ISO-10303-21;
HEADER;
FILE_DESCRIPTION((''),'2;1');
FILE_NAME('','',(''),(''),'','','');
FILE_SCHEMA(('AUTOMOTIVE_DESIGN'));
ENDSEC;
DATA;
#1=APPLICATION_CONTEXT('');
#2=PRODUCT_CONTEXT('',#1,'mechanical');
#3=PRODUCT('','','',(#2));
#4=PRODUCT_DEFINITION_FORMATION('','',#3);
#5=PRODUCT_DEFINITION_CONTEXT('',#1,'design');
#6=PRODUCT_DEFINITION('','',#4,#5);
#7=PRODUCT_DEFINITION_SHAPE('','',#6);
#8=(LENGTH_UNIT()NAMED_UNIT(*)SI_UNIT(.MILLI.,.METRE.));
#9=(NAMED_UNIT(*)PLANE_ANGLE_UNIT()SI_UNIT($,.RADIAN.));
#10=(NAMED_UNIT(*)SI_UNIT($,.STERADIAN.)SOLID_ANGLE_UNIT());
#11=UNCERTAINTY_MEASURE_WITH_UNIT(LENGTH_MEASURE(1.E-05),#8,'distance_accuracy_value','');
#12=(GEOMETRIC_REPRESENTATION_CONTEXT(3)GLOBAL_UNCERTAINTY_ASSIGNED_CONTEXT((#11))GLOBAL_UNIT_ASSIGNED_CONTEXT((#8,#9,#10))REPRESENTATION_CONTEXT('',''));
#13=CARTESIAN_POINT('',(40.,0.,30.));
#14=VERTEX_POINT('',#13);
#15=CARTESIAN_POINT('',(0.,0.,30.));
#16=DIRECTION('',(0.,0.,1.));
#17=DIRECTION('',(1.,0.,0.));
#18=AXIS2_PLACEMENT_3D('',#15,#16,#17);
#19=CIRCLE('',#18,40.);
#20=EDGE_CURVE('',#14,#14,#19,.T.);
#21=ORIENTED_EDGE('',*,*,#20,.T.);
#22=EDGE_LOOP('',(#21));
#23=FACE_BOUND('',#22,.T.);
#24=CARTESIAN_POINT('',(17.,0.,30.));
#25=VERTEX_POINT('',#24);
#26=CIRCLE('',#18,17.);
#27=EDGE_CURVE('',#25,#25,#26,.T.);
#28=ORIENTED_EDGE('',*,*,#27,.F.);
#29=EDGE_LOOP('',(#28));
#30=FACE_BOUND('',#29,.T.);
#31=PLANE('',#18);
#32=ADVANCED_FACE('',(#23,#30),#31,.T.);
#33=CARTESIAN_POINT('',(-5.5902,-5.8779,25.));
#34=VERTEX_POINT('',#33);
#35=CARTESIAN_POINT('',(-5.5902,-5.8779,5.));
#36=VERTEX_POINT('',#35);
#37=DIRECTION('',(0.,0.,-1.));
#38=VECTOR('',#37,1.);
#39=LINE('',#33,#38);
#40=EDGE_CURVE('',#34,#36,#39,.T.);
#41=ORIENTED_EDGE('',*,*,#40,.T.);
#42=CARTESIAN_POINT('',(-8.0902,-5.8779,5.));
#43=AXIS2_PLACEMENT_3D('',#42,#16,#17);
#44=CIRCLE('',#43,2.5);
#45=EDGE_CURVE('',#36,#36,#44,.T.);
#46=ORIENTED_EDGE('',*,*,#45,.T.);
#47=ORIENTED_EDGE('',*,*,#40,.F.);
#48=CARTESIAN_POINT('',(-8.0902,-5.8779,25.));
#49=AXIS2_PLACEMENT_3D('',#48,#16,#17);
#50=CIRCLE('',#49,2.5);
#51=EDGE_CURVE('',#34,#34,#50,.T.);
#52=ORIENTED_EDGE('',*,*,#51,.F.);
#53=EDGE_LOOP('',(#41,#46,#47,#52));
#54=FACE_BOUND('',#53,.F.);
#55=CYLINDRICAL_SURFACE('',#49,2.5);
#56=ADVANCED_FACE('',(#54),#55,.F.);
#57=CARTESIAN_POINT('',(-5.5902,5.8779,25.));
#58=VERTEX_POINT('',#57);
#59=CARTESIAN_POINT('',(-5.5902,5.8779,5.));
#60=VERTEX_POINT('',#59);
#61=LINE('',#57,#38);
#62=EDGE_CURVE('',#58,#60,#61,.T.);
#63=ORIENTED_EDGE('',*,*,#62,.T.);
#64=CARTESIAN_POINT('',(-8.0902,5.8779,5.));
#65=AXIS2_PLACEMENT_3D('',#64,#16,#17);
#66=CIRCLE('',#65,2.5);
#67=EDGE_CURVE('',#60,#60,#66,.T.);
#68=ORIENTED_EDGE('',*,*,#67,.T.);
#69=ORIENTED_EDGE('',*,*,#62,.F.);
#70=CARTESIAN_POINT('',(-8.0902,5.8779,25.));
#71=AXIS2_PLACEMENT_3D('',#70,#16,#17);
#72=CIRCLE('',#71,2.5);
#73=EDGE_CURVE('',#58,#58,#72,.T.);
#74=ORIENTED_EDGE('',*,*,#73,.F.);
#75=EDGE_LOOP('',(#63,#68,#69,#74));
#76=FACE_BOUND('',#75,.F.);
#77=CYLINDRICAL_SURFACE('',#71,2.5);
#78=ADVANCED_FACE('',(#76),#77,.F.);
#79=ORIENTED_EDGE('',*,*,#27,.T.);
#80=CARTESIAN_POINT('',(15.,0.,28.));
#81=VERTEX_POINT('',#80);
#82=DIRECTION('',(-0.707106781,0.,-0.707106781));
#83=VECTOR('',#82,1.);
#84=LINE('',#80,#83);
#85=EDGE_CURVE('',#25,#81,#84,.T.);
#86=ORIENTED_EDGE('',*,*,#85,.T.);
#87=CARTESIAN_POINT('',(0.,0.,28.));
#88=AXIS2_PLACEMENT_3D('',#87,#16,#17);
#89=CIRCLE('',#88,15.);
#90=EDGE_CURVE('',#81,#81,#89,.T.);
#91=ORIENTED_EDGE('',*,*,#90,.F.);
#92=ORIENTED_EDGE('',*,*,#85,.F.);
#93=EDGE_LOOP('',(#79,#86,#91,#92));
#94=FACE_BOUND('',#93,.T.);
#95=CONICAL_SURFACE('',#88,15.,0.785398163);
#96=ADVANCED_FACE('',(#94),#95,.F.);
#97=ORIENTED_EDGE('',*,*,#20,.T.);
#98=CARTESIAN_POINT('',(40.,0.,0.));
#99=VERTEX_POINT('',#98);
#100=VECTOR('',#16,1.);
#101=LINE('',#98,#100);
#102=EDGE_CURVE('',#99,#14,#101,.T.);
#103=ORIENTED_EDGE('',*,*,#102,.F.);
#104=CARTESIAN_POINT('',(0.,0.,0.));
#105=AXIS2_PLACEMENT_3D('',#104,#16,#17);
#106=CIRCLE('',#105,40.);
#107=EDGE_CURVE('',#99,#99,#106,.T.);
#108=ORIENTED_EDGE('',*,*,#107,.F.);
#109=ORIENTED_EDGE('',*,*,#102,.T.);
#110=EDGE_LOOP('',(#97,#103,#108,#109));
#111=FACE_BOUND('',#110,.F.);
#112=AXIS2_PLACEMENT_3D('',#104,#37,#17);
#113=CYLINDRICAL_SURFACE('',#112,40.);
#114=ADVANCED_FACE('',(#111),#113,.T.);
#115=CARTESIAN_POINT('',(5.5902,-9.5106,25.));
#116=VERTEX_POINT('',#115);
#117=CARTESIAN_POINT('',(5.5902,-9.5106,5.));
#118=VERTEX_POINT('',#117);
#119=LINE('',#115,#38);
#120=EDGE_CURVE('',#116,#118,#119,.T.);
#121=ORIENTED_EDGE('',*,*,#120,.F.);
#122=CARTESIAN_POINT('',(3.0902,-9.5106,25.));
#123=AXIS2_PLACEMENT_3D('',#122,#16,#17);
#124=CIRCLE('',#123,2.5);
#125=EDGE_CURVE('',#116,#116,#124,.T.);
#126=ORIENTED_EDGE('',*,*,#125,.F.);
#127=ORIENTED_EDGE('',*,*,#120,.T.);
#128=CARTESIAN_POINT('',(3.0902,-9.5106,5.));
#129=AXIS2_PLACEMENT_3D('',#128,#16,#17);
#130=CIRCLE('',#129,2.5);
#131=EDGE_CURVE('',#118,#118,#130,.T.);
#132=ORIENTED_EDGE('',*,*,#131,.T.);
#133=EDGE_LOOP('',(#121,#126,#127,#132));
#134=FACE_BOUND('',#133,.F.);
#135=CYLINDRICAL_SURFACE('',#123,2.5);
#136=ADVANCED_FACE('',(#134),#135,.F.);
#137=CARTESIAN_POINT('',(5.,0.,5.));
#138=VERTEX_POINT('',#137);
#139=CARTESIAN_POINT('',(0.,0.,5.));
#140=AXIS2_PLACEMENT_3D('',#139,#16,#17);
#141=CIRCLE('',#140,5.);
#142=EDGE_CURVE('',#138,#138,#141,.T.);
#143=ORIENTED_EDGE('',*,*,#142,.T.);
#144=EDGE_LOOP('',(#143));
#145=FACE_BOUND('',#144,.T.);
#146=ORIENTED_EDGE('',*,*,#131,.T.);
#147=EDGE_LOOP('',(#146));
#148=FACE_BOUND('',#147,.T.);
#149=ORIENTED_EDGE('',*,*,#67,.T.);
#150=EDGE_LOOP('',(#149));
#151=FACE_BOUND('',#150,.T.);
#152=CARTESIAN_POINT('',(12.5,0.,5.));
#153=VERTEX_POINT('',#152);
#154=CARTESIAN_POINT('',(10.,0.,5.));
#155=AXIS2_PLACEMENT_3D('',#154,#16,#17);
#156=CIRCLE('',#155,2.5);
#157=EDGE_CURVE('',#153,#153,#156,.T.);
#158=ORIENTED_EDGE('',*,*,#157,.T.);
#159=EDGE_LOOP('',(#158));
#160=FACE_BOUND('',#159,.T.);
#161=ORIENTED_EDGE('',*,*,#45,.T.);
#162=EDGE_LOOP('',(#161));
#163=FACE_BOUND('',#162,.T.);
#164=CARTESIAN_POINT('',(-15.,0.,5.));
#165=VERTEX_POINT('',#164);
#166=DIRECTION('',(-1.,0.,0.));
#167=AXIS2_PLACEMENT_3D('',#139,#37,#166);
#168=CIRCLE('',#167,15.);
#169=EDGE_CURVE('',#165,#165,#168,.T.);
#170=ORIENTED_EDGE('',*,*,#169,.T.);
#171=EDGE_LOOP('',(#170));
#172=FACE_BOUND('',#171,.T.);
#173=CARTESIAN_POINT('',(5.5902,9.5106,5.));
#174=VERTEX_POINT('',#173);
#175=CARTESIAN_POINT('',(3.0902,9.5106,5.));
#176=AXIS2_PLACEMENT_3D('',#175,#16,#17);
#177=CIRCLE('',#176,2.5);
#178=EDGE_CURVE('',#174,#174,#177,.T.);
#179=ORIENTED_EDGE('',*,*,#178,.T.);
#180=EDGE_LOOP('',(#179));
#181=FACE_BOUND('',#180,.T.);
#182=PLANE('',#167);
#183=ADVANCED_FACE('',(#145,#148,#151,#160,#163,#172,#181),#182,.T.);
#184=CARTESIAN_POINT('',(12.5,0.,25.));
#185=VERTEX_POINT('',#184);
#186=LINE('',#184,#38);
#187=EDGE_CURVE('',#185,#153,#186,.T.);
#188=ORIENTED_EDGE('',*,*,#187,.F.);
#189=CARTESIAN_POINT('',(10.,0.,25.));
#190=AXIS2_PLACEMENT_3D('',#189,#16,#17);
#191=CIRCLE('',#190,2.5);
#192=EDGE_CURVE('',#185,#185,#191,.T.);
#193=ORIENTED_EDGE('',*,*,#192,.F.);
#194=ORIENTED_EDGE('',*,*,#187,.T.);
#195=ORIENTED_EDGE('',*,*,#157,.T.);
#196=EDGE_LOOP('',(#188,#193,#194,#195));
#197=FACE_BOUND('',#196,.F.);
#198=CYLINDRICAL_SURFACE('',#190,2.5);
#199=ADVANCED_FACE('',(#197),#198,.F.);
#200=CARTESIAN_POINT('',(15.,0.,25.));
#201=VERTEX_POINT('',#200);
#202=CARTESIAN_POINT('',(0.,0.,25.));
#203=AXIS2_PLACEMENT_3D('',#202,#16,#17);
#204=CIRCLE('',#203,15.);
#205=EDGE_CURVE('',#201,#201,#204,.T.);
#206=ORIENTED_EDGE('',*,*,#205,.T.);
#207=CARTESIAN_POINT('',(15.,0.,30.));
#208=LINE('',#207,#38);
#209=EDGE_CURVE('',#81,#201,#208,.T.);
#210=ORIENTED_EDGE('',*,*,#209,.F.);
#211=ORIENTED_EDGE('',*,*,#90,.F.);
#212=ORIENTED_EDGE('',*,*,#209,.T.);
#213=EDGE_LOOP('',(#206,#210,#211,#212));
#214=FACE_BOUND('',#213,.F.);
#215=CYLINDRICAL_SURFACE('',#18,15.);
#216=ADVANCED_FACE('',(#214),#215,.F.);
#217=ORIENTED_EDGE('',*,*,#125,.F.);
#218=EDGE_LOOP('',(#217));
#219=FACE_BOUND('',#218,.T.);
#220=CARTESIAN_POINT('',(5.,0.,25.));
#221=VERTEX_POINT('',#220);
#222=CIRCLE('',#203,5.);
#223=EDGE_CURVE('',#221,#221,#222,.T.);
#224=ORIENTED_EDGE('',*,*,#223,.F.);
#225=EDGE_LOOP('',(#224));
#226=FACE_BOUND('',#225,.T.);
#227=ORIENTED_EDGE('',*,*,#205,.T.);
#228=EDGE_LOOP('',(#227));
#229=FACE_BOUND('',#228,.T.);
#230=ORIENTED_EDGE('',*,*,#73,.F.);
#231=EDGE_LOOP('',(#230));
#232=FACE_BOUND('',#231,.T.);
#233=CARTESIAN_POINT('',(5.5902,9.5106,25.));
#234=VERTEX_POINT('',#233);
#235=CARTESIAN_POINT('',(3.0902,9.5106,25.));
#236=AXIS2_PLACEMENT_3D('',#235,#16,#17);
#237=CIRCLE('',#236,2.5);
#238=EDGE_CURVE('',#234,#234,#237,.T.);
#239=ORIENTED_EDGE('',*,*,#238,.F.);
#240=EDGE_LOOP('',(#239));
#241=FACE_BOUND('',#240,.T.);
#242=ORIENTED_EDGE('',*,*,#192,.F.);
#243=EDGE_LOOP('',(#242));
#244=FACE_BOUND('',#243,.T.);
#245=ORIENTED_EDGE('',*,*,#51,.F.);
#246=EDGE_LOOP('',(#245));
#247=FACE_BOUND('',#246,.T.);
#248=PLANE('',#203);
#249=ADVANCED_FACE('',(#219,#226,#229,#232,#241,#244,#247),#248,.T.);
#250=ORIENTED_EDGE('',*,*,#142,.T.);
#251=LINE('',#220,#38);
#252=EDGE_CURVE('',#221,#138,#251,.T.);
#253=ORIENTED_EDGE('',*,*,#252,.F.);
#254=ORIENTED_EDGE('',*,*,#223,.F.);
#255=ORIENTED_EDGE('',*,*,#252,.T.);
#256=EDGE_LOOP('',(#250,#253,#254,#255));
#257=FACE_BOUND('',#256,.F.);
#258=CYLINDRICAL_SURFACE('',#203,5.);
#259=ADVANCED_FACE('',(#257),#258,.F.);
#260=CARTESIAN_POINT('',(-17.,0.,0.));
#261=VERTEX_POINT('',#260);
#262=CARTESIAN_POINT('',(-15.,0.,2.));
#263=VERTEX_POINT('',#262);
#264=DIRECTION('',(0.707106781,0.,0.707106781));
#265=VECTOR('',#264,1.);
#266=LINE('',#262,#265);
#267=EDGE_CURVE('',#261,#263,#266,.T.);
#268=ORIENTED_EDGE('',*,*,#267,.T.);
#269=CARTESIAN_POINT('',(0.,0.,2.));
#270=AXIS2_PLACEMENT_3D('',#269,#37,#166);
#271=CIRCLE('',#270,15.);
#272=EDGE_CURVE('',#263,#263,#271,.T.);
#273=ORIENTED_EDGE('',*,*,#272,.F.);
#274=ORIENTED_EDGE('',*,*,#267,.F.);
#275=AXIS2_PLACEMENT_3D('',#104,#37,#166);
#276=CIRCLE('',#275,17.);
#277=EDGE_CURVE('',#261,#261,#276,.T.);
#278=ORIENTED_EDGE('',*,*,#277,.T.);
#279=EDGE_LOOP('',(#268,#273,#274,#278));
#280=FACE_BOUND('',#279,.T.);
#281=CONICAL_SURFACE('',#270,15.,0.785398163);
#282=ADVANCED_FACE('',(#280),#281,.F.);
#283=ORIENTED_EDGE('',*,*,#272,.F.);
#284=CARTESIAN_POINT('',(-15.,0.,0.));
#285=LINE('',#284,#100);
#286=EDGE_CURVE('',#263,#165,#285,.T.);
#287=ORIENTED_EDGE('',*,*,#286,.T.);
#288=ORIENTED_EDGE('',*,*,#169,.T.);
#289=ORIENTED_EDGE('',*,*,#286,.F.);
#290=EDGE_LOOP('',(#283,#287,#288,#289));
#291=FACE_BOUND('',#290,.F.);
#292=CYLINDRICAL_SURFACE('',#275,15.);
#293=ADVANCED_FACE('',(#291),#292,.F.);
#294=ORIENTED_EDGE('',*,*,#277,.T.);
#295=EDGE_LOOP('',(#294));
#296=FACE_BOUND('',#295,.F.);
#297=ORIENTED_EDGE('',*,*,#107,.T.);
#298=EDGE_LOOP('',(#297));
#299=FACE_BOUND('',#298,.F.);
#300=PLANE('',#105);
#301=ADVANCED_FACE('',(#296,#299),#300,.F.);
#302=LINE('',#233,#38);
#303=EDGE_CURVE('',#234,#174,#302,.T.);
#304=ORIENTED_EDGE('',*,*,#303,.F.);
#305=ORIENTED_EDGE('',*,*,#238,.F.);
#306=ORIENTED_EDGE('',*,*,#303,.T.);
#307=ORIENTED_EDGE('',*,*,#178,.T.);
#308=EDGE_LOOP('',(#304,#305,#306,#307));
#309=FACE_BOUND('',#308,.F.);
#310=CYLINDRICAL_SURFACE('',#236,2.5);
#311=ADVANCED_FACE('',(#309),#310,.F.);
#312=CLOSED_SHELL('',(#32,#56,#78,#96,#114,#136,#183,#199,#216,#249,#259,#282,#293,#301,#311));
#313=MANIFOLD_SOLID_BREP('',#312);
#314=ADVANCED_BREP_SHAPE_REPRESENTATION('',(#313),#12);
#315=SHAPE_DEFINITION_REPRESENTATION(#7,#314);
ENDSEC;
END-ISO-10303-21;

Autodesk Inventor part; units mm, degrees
ref_plane "YZ Plane" through (0, 0, 0) normal (1, 0, 0) x (0, 1, 0)
ref_plane "XZ Plane" through (0, 0, 0) normal (0, 1, 0) x (-1, 0, 0)
ref_plane "XY Plane" through (0, 0, 0) normal (0, 0, 1) x (1, 0, 0)
sketch "Sketch28" plane through (0, 0, 0) normal (0, 0, 1) x (1, 0, 0)
  point P0 (0, 0)
sketch "Sketch29" plane through (0, 0, 0) normal (0, 0, 1) x (1, 0, 0)
  circle A0 centre (0, 0) radius 40
  dimension "d84" = 80
extrude "Extrusion25" add sketch "Sketch29" along normal blind 30
sketch "Sketch30" plane through (0, 0, 30) normal (0, 0, 1) x (1, 0, 0)
  circle A0 centre (0, 0) radius 15
  dimension "d87" = 30
extrude "Extrusion26" cut sketch "Sketch30" against normal blind 5
sketch "Sketch31" plane through (0, 0, 0) normal (0, 0, -1) x (-1, 0, 0)
  circle A0 centre (0, 0) radius 15
  dimension "d90" = 30
extrude "Extrusion27" cut sketch "Sketch31" against normal blind 5
sketch "Sketch32" plane through (0, 0, 25) normal (0, 0, 1) x (1, 0, 0)
  circle A0 centre (0, 0) radius 5
  dimension "d93" = 10
extrude "Extrusion28" cut sketch "Sketch32" against normal blind 20
sketch "Sketch33" plane through (0, 0, 25) normal (0, 0, 1) x (1, 0, 0)
  circle A0 centre (10, 0) radius 2.5
  circle A1 centre (3.0902, 9.5106) radius 2.5
  circle A2 centre (-8.0902, 5.8779) radius 2.5
  circle A3 centre (-8.0902, -5.8779) radius 2.5
  circle A4 centre (3.0902, -9.5106) radius 2.5
  point P0 (0, 0)
  dimension "d96" = 5
  dimension "d99" = 360
extrude "Extrusion29" cut sketch "Sketch33" against normal blind 20
chamfer "Chamfer1" distance 2 angle 45 2 edges at (15, 0, 0) (-15, 0, 30)
properties part number "wheel"
